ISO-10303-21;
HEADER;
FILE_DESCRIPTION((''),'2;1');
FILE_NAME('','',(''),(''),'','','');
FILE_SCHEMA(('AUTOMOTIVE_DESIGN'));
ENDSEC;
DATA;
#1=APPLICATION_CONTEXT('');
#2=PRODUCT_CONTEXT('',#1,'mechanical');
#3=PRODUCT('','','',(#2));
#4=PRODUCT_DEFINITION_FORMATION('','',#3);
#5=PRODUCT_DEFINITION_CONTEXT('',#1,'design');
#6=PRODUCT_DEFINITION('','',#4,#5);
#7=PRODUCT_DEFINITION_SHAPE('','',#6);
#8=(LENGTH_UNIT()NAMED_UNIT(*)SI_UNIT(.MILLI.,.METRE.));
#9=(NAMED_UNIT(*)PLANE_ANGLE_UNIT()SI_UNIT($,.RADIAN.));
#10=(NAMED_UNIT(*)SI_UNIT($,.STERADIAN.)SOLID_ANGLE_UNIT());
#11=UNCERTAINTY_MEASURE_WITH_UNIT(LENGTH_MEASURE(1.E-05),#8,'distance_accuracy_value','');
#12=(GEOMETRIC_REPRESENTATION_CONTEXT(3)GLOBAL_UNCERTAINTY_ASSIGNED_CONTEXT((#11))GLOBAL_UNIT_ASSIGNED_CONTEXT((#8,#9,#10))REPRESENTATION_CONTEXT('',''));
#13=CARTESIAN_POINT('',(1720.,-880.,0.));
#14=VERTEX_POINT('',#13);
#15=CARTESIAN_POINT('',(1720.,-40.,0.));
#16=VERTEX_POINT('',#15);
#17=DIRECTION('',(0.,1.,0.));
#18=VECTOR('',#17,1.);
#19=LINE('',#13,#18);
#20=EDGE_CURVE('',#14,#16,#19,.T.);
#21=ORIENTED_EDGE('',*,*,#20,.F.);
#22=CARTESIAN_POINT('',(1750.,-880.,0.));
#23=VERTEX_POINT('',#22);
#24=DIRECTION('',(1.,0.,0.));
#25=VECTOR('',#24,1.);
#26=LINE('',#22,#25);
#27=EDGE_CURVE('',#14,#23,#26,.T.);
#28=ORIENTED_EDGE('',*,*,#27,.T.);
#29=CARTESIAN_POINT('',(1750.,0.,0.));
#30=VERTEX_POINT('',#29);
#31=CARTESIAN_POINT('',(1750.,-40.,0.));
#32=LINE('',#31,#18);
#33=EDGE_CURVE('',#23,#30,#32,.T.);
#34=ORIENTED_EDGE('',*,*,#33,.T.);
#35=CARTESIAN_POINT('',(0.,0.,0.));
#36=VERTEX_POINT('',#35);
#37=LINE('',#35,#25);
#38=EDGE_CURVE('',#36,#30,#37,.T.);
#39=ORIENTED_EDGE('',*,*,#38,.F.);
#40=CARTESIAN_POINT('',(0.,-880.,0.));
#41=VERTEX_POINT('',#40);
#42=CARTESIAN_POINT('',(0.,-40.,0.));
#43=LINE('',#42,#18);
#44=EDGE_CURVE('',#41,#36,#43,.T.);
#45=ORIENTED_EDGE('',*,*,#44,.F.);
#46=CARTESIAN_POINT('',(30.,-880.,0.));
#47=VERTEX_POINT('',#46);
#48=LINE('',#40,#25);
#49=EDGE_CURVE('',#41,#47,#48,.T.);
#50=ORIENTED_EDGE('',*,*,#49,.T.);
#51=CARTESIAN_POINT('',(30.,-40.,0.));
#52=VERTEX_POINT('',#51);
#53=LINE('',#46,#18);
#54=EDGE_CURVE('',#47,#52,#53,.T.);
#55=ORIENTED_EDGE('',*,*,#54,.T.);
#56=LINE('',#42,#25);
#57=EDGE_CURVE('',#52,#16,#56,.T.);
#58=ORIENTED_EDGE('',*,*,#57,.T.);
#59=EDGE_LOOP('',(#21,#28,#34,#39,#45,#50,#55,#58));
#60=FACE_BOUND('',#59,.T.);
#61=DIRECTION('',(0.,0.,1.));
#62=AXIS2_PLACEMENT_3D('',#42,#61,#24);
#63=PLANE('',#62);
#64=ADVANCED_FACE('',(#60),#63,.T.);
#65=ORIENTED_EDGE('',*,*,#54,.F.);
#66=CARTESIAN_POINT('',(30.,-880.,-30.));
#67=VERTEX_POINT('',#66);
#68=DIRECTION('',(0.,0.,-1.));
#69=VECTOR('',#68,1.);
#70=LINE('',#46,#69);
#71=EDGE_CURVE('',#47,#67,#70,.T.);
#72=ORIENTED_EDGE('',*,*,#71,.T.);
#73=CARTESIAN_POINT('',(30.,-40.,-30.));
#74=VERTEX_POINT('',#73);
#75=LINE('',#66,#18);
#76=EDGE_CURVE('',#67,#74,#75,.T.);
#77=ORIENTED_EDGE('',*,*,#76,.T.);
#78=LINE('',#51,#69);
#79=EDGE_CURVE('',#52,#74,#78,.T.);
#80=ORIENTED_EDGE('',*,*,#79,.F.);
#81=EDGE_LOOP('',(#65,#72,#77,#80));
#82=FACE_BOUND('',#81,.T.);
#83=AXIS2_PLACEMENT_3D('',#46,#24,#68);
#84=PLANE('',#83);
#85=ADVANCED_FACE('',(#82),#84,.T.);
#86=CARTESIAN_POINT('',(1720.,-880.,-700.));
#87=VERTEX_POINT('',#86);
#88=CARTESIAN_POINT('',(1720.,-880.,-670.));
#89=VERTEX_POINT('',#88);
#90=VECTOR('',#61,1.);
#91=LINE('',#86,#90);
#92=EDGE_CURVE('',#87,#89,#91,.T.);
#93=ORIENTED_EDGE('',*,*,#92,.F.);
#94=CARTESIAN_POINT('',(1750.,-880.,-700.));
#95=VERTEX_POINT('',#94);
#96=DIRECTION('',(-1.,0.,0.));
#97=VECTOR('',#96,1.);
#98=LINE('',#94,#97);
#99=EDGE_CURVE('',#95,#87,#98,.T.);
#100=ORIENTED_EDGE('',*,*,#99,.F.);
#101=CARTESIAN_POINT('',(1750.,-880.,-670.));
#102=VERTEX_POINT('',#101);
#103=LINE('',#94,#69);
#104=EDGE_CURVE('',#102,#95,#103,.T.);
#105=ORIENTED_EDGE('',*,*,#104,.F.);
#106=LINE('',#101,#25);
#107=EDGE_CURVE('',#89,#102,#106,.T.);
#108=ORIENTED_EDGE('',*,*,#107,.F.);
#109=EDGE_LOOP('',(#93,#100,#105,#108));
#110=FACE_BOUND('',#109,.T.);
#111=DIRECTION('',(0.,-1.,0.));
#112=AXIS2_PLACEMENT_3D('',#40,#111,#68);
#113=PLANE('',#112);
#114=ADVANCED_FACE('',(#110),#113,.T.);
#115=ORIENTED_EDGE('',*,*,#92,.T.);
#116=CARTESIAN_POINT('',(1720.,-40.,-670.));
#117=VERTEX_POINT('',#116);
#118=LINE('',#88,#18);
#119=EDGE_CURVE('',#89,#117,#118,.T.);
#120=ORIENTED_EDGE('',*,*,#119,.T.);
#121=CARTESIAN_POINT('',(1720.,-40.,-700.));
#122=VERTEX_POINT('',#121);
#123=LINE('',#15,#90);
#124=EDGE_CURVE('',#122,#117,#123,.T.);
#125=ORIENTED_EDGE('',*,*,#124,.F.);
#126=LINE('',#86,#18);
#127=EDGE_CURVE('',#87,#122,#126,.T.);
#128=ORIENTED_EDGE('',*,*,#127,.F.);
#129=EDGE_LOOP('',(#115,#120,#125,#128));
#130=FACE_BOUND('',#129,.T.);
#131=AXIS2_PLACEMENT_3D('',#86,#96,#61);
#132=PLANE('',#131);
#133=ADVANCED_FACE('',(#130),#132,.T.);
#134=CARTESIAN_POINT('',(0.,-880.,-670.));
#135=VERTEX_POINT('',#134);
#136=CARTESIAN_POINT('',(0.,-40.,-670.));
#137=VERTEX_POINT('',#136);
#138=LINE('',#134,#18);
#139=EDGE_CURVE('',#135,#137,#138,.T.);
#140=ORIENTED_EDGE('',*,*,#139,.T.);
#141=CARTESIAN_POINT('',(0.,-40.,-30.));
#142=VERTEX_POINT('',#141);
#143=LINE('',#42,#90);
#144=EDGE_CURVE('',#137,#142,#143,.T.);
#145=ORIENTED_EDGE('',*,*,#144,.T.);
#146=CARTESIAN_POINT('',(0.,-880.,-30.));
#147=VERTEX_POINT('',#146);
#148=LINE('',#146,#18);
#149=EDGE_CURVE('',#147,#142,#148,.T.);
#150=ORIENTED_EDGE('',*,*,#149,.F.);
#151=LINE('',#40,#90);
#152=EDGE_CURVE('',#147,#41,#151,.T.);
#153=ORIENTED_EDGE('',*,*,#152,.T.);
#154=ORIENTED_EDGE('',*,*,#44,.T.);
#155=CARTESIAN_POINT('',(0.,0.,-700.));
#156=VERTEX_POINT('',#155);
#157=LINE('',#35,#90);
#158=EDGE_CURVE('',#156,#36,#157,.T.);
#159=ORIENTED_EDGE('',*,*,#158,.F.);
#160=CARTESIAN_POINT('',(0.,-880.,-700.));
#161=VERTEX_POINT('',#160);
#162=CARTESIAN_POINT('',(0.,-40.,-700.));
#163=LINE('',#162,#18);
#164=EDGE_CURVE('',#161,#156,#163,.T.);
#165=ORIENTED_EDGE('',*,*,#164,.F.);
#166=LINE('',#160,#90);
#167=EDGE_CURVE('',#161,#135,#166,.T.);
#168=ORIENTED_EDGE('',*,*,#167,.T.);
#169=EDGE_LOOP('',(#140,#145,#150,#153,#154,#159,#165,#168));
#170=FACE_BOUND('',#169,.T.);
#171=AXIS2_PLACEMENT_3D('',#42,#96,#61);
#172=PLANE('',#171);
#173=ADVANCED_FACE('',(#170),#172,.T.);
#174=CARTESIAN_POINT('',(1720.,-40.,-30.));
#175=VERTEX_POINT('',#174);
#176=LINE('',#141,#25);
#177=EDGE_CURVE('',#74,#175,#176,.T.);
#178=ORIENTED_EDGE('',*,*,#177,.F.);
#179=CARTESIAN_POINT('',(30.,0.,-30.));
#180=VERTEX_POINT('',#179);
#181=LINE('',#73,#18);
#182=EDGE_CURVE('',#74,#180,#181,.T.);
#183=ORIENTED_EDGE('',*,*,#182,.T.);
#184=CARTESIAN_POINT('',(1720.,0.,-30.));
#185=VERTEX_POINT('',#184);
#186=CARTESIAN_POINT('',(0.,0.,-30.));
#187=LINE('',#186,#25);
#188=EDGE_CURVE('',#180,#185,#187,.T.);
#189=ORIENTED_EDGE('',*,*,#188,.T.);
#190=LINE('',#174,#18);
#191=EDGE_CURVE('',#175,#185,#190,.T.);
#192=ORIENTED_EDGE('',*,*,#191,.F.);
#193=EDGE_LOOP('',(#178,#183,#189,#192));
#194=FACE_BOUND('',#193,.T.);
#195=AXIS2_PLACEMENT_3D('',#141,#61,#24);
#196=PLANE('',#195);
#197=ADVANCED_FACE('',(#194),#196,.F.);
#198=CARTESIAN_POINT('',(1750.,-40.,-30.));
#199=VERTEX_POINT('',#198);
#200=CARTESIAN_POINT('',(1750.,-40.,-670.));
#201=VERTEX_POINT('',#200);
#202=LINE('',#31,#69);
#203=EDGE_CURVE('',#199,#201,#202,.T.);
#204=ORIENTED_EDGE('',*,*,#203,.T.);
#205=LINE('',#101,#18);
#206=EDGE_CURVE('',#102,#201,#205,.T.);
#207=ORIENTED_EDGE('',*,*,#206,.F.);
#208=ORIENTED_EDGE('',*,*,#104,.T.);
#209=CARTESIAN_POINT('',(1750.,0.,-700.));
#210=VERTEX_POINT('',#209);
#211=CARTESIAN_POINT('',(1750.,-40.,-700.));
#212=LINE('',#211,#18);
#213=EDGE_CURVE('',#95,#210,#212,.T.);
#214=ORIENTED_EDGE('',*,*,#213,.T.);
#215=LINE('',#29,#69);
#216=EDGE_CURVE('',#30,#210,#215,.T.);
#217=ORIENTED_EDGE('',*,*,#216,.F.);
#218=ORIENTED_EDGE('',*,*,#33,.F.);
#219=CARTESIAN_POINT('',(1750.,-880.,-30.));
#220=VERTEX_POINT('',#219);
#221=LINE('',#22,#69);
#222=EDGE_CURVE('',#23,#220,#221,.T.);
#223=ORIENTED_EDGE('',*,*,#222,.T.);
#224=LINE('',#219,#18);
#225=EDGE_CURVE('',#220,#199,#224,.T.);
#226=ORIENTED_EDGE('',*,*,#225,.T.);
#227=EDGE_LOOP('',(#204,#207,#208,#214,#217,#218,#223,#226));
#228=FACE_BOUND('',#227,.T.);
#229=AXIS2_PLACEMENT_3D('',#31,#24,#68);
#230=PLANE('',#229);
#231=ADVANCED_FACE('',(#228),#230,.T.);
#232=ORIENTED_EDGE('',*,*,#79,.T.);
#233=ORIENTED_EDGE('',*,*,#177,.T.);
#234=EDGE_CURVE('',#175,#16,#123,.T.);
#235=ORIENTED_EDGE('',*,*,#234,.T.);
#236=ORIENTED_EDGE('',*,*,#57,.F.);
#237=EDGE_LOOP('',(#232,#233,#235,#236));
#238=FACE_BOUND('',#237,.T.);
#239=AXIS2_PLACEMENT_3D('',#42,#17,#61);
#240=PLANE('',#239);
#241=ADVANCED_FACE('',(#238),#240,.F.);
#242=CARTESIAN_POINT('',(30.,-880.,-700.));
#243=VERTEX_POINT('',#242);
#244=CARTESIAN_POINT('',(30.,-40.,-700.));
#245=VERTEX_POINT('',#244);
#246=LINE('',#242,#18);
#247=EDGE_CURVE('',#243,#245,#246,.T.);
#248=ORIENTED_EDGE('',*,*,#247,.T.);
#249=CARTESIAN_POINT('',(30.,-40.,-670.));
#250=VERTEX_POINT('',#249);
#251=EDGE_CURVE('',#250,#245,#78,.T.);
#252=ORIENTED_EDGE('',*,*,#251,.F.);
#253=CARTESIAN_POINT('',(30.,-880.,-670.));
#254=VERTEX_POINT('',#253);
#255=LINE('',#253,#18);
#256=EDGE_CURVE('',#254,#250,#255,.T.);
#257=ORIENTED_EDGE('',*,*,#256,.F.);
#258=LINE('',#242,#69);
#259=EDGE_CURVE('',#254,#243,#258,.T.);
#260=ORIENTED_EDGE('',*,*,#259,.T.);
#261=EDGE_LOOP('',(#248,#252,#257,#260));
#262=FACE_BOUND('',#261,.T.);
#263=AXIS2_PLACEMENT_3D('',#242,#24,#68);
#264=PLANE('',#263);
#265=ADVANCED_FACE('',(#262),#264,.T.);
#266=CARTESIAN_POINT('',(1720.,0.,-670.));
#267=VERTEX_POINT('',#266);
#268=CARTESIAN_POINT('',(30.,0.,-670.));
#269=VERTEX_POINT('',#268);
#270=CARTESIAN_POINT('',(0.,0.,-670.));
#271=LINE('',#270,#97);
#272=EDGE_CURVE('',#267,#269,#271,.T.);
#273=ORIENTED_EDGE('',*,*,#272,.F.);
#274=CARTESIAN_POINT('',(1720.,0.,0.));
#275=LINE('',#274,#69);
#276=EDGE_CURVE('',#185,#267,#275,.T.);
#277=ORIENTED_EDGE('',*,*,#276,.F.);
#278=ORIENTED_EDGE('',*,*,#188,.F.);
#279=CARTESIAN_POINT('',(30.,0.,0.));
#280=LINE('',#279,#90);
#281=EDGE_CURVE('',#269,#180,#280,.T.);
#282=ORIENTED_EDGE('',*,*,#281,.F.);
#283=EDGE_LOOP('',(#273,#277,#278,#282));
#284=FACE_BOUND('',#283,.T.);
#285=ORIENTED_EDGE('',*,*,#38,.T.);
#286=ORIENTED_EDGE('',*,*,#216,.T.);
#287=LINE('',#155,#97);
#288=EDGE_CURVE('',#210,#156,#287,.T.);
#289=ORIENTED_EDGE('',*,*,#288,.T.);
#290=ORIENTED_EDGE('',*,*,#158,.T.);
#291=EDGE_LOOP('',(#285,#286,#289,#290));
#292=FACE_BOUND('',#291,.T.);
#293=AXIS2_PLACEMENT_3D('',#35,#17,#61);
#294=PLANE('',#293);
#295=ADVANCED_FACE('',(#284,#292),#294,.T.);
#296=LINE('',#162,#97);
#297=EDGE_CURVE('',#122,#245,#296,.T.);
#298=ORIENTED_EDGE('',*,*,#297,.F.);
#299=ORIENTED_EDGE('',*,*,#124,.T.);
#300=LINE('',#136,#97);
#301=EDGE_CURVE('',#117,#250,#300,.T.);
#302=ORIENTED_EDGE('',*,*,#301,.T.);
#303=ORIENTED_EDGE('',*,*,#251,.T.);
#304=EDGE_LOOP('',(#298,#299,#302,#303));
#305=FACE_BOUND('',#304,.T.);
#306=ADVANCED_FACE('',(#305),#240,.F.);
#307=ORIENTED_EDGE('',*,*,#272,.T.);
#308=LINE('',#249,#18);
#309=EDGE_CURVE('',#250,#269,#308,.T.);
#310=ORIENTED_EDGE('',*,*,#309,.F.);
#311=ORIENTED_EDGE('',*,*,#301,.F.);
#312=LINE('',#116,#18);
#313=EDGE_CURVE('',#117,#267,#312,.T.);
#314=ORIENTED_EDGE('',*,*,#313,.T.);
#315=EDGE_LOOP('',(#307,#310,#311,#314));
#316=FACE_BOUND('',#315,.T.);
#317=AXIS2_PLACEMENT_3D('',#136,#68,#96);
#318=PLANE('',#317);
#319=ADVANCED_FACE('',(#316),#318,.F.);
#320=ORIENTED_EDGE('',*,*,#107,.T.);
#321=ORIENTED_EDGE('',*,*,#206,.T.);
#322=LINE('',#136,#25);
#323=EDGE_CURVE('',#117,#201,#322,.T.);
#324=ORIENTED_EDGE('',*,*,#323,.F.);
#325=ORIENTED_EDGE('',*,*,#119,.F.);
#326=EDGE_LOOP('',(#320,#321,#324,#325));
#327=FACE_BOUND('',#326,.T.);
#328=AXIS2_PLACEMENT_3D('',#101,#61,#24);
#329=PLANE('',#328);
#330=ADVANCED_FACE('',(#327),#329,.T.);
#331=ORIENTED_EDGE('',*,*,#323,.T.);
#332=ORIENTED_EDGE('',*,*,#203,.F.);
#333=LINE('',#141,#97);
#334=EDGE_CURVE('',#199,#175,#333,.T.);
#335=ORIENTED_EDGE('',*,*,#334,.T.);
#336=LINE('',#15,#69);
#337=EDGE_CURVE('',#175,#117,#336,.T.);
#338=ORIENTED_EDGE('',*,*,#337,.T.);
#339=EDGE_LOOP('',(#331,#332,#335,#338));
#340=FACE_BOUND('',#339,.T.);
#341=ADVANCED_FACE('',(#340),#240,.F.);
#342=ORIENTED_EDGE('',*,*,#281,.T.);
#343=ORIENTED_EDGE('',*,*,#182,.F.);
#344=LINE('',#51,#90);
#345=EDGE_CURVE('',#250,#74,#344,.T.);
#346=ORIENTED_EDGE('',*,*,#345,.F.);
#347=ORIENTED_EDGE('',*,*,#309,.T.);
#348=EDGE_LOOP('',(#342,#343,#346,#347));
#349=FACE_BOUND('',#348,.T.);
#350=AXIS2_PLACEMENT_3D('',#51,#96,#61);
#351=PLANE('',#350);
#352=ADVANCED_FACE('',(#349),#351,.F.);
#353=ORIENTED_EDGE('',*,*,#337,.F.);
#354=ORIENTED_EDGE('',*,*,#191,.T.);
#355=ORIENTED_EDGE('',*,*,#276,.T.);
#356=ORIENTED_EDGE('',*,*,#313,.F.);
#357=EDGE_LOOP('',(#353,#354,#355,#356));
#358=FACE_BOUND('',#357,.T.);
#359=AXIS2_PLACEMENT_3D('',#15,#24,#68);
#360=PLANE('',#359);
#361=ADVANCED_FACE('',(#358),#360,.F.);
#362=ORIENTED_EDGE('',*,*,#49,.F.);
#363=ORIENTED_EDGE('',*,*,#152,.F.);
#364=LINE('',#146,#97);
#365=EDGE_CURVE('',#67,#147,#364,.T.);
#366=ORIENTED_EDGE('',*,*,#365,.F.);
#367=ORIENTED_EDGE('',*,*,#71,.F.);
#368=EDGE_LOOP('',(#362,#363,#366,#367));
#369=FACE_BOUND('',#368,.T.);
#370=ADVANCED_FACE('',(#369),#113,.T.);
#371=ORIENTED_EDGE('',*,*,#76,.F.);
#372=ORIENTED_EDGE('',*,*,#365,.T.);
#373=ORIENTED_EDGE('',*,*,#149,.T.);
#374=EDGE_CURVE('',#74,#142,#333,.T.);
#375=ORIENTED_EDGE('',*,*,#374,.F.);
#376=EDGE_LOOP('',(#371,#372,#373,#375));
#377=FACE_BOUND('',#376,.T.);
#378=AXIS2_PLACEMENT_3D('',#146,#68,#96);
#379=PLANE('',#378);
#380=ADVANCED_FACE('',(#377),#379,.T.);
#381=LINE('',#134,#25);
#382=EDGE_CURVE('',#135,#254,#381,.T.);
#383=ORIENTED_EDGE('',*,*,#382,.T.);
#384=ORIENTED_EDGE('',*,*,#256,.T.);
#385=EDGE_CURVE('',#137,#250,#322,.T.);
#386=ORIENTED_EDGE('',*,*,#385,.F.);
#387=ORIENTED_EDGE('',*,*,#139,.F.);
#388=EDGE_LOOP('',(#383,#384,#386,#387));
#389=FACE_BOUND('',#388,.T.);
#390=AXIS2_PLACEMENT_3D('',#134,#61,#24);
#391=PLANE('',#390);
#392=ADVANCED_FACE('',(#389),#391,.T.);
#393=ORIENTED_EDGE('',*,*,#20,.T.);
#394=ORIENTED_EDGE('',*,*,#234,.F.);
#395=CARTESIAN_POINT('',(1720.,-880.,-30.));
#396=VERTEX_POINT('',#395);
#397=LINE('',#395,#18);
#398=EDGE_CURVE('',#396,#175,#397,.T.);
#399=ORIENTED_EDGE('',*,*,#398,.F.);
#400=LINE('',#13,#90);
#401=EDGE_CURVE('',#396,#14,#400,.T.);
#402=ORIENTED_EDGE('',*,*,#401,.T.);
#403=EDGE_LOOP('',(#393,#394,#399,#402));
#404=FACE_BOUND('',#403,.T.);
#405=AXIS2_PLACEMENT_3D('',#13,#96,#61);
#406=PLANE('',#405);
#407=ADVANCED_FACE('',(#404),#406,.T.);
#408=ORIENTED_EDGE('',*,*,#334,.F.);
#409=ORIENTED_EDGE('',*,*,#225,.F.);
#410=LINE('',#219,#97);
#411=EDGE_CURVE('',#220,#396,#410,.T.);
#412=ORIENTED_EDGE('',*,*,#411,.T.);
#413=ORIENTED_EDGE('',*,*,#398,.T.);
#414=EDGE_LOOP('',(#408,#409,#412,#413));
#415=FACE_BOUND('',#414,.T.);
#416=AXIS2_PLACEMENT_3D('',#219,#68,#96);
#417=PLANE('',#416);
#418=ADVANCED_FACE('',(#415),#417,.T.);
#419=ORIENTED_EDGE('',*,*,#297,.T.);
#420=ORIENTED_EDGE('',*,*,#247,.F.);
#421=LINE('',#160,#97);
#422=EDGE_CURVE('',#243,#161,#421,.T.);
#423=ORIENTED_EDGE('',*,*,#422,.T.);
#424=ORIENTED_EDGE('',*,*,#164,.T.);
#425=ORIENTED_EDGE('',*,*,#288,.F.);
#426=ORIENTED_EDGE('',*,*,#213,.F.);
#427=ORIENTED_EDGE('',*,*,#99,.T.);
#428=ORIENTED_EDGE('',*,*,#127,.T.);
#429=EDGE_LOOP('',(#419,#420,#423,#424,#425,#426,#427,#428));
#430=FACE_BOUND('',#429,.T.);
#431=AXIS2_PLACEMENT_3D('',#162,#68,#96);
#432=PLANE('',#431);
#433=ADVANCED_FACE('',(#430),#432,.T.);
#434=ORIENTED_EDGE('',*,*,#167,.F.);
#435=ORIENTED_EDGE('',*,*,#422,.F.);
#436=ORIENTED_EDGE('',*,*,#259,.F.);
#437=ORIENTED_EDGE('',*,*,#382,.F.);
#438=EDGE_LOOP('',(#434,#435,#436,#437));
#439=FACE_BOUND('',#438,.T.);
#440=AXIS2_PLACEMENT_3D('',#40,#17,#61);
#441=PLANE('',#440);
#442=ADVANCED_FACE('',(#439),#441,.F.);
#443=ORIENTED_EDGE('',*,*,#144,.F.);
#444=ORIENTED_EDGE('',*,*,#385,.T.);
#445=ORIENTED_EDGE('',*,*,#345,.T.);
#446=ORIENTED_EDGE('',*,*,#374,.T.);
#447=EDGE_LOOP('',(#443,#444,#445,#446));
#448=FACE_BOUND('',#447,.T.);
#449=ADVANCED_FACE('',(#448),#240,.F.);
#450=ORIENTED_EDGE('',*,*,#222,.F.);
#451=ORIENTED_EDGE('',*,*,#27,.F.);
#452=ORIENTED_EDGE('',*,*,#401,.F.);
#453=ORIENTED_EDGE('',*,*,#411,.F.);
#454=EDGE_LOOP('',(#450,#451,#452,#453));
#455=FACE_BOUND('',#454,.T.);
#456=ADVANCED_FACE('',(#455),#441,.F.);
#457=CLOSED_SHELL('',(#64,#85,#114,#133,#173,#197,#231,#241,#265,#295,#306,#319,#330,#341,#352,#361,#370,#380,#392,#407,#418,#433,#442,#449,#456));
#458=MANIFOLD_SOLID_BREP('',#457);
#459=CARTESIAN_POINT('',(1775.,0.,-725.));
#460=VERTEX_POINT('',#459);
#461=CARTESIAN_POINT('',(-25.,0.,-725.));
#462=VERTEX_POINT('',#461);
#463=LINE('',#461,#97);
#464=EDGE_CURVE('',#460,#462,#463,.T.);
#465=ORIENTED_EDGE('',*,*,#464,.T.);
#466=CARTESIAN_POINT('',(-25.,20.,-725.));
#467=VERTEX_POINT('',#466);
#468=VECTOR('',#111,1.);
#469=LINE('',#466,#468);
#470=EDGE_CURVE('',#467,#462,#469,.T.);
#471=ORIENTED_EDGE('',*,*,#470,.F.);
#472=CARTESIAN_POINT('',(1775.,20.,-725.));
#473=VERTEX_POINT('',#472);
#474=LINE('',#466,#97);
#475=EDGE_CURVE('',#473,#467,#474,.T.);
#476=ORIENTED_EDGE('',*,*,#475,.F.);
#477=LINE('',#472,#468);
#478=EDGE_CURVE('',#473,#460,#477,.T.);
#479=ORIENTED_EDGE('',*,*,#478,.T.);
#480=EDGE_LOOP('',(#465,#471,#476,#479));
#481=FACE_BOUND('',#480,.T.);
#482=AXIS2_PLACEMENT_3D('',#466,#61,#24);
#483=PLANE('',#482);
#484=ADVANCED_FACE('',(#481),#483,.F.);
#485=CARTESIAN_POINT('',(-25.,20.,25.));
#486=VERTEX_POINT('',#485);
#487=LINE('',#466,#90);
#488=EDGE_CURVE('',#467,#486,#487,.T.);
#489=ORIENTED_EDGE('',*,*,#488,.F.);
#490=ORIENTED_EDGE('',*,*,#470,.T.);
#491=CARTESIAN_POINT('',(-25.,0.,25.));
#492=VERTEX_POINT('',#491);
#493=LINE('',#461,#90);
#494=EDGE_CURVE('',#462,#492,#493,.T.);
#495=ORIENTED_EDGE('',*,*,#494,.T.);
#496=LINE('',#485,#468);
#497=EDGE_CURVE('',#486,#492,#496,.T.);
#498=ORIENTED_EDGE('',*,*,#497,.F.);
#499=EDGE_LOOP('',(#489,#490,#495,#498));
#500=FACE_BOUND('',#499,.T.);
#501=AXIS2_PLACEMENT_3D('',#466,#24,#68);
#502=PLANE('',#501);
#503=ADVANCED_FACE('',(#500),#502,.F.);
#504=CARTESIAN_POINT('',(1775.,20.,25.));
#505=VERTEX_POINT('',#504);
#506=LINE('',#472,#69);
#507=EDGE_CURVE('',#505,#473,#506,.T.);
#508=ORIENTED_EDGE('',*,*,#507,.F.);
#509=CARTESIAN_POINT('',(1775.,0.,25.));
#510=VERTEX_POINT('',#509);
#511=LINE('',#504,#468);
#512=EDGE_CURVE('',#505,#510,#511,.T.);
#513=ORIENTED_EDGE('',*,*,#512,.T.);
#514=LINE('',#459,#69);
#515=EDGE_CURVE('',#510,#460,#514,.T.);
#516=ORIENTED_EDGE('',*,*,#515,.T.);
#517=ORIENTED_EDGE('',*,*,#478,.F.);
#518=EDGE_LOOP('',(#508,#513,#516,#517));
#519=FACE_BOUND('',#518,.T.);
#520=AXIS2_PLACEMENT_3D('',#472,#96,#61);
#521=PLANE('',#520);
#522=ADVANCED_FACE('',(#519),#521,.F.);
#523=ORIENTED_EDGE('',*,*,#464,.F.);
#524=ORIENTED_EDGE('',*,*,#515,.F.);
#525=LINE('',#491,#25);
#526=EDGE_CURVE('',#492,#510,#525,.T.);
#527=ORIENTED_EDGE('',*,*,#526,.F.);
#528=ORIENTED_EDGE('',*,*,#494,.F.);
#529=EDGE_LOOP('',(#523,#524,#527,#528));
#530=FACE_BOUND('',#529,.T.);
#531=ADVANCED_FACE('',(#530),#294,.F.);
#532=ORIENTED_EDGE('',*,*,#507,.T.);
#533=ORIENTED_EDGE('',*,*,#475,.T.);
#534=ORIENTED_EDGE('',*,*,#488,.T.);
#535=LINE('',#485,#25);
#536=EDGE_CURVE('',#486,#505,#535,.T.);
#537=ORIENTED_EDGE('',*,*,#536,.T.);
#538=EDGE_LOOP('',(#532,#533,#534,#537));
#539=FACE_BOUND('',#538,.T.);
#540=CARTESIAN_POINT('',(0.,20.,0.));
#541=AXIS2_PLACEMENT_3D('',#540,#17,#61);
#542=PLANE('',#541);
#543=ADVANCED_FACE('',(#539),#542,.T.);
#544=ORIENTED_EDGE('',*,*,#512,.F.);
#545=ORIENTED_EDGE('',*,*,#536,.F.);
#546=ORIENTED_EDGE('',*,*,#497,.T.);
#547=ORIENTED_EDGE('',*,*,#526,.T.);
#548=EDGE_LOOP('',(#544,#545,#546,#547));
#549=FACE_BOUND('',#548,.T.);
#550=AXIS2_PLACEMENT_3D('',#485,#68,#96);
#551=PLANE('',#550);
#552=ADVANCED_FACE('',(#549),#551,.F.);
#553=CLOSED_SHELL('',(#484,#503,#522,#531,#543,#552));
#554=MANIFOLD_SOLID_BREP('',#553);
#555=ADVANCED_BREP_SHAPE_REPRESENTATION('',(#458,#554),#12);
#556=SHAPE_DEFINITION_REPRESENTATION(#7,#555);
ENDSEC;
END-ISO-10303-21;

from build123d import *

# Parameters (mm, degrees)
SKETCH1_W           = 1750
SKETCH1_H           = 700
SKETCH1_W_2         = 1690
SKETCH1_H_2         = 640
EXTRUDE_THIN1_DEPTH = 40
SKETCH2_W           = 30
SKETCH2_H           = 30
BOSS_EXTRUDE1_DEPTH = 880
SKETCH3_W           = 1800
SKETCH3_H           = 750
BOSS_EXTRUDE2_DEPTH = 20


with BuildPart() as part:
    # Sketch1 → Extrude-Thin1 (new body)
    with BuildSketch(Plane(origin=(0, 0, 0), x_dir=(1, 0, 0), z_dir=(0, 1, 0))):
        with Locations((875, 350)):
            Rectangle(SKETCH1_W, SKETCH1_H)
        with Locations((875, 350)):
            Rectangle(SKETCH1_W_2, SKETCH1_H_2, mode=Mode.SUBTRACT)
    extrude(amount=-EXTRUDE_THIN1_DEPTH)

    # Sketch2 → Boss-Extrude1 (add)
    with BuildSketch(Plane(origin=(0, 0, 0), x_dir=(1, 0, 0), z_dir=(0, 1, 0))):
        with Locations((15, 685)):
            Rectangle(SKETCH2_W, SKETCH2_H)
        with Locations((15, 15)):
            Rectangle(SKETCH2_W, SKETCH2_H)
        with Locations((1735, 15)):
            Rectangle(SKETCH2_W, SKETCH2_H)
        with Locations((1735, 685)):
            Rectangle(SKETCH2_W, SKETCH2_H)
    extrude(amount=-BOSS_EXTRUDE1_DEPTH)


with BuildPart() as body_2:
    # Sketch3 → Boss-Extrude2 (new body)
    with BuildSketch(Plane(origin=(0, 0, 0), x_dir=(1, 0, 0), z_dir=(0, 1, 0))):
        with Locations((875, 350)):
            Rectangle(SKETCH3_W, SKETCH3_H)
    extrude(amount=BOSS_EXTRUDE2_DEPTH)


solid = Compound([part.part, body_2.part])
